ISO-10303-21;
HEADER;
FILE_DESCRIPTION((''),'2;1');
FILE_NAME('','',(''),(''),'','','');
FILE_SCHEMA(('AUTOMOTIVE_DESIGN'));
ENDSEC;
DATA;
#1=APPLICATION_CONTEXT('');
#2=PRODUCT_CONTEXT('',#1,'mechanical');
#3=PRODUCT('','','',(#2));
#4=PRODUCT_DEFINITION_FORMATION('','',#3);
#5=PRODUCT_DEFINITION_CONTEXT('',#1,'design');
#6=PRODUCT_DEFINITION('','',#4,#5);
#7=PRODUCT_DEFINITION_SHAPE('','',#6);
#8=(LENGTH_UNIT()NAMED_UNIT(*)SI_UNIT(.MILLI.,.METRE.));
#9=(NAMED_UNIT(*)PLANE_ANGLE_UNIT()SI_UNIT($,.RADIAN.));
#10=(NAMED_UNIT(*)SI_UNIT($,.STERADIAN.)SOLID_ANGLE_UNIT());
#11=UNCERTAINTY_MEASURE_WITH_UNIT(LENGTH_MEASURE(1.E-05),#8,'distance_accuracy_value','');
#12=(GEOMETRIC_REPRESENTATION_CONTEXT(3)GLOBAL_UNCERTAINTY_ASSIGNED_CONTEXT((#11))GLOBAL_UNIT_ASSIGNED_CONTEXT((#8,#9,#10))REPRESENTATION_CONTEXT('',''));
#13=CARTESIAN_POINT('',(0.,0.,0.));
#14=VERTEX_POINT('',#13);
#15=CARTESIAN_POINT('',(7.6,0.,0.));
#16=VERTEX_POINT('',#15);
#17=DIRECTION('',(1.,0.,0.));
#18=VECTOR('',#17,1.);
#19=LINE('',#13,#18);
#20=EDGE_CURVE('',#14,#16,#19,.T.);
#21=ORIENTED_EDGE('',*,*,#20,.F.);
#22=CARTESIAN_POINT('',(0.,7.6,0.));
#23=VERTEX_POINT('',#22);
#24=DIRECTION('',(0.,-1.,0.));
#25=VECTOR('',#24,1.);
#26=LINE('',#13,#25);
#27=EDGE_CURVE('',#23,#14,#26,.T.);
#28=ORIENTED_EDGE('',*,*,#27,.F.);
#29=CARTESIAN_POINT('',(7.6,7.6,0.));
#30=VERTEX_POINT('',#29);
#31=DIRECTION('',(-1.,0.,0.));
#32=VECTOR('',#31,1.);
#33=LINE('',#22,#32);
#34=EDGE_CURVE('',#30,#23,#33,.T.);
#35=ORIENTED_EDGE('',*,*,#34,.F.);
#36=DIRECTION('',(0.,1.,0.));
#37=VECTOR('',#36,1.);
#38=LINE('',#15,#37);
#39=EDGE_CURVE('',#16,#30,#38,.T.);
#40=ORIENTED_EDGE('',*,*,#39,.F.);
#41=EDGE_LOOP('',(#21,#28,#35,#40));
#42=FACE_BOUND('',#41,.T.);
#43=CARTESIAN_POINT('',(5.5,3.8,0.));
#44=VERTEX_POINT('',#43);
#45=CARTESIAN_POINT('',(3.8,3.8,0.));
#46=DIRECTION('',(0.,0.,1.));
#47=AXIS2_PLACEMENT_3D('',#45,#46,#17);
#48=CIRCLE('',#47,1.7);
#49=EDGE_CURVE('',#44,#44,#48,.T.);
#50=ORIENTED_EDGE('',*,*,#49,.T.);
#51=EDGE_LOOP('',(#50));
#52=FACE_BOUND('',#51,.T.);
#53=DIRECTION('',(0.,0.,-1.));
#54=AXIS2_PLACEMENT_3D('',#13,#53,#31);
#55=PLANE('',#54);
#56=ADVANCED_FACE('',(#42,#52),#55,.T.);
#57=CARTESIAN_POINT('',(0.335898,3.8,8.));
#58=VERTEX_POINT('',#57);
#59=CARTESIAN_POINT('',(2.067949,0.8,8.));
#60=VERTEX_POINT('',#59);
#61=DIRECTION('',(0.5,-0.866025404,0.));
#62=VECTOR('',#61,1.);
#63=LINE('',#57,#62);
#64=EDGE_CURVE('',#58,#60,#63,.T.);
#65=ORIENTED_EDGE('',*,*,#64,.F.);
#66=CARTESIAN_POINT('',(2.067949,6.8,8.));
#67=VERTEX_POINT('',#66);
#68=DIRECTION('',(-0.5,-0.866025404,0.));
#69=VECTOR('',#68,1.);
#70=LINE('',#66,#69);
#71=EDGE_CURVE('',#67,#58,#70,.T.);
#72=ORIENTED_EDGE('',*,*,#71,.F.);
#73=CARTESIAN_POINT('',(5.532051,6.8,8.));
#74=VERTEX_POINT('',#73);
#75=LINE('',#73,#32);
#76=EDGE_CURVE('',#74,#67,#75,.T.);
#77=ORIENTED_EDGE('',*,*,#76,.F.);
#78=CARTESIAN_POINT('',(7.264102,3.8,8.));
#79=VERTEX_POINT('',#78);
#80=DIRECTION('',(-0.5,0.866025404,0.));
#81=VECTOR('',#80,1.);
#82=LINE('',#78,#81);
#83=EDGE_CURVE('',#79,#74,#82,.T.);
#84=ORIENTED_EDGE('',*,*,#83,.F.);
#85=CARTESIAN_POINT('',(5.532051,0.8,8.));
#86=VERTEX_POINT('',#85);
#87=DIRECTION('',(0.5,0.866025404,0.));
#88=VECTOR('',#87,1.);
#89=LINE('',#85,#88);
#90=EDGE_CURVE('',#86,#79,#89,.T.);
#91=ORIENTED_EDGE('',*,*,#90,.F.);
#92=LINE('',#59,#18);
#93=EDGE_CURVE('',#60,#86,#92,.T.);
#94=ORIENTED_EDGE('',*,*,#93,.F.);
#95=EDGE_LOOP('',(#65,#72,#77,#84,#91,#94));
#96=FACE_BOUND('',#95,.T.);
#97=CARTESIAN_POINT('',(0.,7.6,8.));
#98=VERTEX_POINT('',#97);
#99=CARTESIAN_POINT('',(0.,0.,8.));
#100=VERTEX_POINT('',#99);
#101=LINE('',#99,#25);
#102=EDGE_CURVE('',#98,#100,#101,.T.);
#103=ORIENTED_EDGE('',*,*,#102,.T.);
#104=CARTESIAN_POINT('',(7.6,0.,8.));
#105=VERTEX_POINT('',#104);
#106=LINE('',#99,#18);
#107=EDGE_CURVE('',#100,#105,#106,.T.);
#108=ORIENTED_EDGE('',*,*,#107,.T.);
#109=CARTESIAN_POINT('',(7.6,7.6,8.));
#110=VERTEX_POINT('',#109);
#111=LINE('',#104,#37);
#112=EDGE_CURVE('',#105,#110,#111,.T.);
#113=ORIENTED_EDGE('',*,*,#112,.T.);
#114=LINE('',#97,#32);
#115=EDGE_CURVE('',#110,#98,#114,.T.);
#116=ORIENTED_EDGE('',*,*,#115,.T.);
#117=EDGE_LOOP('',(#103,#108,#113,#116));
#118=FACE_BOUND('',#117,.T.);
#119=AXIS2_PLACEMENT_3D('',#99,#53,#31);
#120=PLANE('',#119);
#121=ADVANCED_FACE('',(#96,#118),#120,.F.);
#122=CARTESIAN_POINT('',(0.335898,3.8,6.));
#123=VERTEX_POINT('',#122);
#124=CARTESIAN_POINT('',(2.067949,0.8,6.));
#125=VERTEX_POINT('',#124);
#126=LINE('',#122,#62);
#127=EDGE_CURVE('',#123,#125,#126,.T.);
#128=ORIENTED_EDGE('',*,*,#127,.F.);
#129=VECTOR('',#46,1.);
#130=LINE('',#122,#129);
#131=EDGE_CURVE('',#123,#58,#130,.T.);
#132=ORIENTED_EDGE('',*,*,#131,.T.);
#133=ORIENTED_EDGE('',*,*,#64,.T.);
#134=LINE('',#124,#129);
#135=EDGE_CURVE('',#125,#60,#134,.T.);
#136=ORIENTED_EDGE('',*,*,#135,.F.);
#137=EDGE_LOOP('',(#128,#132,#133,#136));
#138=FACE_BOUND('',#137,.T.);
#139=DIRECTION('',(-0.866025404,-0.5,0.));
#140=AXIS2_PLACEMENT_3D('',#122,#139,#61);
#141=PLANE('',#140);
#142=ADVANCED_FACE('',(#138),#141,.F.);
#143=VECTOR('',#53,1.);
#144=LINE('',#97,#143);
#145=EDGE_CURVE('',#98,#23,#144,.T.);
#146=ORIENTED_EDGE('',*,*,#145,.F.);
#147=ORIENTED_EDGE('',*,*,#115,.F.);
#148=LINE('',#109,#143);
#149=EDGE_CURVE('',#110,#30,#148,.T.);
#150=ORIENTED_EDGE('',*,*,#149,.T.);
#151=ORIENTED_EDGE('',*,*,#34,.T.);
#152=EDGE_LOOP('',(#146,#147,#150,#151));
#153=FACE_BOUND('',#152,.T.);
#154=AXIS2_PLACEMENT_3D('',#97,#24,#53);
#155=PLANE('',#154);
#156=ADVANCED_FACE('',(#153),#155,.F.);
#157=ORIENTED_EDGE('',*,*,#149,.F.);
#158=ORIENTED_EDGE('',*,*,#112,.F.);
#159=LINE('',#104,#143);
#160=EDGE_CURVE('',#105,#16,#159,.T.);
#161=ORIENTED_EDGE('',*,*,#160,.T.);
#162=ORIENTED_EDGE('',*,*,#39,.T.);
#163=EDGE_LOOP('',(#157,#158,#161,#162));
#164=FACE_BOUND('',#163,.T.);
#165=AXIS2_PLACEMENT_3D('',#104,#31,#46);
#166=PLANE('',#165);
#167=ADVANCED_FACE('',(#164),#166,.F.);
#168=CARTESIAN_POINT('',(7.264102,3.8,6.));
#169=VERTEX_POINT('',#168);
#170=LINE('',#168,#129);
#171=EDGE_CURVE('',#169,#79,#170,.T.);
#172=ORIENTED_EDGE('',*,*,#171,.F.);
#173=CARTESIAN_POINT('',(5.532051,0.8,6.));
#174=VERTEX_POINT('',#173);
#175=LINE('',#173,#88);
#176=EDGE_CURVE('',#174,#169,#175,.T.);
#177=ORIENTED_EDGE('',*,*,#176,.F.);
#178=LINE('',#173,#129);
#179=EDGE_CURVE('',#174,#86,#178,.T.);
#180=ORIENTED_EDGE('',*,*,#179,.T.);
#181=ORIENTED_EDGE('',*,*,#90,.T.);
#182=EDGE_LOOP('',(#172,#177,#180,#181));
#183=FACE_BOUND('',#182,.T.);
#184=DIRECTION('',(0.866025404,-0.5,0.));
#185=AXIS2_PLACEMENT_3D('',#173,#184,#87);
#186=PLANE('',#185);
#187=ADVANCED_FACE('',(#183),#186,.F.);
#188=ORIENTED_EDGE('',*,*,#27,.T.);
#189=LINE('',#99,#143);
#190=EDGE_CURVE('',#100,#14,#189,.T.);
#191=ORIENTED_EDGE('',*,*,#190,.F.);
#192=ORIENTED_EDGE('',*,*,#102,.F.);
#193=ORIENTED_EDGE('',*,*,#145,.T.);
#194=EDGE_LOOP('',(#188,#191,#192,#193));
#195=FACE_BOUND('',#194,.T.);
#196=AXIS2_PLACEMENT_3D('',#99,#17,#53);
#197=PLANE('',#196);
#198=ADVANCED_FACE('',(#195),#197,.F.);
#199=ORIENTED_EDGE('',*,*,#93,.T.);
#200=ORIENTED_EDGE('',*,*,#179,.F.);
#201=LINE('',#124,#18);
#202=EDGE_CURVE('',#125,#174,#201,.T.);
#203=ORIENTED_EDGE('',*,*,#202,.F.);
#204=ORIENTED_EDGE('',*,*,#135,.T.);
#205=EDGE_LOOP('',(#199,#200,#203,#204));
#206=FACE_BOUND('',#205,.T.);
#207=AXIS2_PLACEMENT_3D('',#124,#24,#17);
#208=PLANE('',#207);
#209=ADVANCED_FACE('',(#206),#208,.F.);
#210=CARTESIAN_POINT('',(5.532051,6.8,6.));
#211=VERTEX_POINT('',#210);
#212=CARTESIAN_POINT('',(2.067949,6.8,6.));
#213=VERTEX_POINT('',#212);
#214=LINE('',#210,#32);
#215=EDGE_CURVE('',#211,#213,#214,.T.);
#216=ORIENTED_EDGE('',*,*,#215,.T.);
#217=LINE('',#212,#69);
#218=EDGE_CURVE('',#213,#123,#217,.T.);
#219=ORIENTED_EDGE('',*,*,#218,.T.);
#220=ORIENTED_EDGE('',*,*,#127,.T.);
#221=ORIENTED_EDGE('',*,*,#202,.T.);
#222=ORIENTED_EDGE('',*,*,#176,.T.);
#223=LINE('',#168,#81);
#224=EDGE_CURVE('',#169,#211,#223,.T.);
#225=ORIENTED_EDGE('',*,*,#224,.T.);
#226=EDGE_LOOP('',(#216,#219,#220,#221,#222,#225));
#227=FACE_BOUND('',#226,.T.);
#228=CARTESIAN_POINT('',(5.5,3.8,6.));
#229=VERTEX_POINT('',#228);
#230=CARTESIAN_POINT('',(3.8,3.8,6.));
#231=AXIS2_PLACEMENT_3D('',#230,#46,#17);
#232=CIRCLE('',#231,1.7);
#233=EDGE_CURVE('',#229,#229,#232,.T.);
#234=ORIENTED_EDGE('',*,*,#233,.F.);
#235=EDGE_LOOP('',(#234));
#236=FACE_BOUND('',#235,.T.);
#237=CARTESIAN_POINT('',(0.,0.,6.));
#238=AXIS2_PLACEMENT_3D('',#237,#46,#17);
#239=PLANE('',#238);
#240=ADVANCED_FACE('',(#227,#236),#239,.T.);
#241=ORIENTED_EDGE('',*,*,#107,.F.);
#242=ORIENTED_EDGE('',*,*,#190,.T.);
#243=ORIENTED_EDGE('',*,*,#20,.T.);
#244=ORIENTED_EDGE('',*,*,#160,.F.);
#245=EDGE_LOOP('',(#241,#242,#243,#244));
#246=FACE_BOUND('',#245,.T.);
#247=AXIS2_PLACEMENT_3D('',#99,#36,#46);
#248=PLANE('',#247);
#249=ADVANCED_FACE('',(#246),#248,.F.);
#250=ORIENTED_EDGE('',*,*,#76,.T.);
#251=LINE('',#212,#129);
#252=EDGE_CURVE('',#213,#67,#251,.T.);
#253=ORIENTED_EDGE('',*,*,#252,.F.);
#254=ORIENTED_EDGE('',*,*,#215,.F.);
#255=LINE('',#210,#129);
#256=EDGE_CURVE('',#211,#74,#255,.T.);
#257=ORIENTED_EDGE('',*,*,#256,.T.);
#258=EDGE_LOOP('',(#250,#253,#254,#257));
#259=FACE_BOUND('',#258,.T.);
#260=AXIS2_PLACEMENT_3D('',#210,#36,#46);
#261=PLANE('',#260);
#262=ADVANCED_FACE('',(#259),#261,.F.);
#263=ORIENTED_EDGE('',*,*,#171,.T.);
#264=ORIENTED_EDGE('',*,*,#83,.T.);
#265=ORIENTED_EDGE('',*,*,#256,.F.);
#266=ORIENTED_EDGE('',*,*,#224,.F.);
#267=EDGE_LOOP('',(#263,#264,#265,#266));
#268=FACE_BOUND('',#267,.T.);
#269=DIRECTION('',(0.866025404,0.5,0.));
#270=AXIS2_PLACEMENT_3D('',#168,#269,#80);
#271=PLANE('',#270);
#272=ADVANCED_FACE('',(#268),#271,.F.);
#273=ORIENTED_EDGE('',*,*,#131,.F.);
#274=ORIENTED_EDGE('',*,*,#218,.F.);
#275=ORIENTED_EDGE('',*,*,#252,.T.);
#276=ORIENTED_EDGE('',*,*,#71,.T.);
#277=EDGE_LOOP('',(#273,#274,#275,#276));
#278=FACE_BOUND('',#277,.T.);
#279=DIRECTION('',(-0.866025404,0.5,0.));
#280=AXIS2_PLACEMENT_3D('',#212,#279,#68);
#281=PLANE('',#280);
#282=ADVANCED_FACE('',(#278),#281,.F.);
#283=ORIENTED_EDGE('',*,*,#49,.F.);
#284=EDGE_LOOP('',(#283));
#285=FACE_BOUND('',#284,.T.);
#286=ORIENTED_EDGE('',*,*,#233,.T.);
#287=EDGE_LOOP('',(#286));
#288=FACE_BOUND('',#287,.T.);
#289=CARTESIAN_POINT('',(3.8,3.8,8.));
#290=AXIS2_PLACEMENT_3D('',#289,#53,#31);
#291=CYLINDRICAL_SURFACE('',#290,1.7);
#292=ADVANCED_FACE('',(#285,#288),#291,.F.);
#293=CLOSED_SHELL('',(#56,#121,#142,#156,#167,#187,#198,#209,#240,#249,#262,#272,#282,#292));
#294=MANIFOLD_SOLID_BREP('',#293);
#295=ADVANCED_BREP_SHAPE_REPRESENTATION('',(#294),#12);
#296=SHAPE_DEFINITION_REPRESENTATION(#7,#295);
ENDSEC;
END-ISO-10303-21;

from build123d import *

# Parameters (mm, degrees)
SKETCH1_W           = 7.6
SKETCH1_H           = 7.6
SKETCH1_R           = 1.7
BOSS_EXTRUDE1_DEPTH = 8
CUT_EXTRUDE1_DEPTH  = 2


with BuildPart() as part:
    # Sketch1 → Boss-Extrude1 (new body)
    with BuildSketch(Plane.XY):
        with Locations((3.8, 3.8)):
            Rectangle(SKETCH1_W, SKETCH1_H)
        with Locations((3.8, 3.8)):
            Circle(SKETCH1_R, mode=Mode.SUBTRACT)
    extrude(amount=BOSS_EXTRUDE1_DEPTH)

    # Sketch3 → Cut-Extrude1 (cut)
    with BuildSketch(Plane.XY.offset(8)):
        Polygon((5.532050808, 0.8), (7.264101615, 3.8), (5.532050808, 6.8), (2.067949192, 6.8), (0.335898385, 3.8), (2.067949192, 0.8), align=None)
    extrude(amount=-CUT_EXTRUDE1_DEPTH, mode=Mode.SUBTRACT)


solid = part.part
